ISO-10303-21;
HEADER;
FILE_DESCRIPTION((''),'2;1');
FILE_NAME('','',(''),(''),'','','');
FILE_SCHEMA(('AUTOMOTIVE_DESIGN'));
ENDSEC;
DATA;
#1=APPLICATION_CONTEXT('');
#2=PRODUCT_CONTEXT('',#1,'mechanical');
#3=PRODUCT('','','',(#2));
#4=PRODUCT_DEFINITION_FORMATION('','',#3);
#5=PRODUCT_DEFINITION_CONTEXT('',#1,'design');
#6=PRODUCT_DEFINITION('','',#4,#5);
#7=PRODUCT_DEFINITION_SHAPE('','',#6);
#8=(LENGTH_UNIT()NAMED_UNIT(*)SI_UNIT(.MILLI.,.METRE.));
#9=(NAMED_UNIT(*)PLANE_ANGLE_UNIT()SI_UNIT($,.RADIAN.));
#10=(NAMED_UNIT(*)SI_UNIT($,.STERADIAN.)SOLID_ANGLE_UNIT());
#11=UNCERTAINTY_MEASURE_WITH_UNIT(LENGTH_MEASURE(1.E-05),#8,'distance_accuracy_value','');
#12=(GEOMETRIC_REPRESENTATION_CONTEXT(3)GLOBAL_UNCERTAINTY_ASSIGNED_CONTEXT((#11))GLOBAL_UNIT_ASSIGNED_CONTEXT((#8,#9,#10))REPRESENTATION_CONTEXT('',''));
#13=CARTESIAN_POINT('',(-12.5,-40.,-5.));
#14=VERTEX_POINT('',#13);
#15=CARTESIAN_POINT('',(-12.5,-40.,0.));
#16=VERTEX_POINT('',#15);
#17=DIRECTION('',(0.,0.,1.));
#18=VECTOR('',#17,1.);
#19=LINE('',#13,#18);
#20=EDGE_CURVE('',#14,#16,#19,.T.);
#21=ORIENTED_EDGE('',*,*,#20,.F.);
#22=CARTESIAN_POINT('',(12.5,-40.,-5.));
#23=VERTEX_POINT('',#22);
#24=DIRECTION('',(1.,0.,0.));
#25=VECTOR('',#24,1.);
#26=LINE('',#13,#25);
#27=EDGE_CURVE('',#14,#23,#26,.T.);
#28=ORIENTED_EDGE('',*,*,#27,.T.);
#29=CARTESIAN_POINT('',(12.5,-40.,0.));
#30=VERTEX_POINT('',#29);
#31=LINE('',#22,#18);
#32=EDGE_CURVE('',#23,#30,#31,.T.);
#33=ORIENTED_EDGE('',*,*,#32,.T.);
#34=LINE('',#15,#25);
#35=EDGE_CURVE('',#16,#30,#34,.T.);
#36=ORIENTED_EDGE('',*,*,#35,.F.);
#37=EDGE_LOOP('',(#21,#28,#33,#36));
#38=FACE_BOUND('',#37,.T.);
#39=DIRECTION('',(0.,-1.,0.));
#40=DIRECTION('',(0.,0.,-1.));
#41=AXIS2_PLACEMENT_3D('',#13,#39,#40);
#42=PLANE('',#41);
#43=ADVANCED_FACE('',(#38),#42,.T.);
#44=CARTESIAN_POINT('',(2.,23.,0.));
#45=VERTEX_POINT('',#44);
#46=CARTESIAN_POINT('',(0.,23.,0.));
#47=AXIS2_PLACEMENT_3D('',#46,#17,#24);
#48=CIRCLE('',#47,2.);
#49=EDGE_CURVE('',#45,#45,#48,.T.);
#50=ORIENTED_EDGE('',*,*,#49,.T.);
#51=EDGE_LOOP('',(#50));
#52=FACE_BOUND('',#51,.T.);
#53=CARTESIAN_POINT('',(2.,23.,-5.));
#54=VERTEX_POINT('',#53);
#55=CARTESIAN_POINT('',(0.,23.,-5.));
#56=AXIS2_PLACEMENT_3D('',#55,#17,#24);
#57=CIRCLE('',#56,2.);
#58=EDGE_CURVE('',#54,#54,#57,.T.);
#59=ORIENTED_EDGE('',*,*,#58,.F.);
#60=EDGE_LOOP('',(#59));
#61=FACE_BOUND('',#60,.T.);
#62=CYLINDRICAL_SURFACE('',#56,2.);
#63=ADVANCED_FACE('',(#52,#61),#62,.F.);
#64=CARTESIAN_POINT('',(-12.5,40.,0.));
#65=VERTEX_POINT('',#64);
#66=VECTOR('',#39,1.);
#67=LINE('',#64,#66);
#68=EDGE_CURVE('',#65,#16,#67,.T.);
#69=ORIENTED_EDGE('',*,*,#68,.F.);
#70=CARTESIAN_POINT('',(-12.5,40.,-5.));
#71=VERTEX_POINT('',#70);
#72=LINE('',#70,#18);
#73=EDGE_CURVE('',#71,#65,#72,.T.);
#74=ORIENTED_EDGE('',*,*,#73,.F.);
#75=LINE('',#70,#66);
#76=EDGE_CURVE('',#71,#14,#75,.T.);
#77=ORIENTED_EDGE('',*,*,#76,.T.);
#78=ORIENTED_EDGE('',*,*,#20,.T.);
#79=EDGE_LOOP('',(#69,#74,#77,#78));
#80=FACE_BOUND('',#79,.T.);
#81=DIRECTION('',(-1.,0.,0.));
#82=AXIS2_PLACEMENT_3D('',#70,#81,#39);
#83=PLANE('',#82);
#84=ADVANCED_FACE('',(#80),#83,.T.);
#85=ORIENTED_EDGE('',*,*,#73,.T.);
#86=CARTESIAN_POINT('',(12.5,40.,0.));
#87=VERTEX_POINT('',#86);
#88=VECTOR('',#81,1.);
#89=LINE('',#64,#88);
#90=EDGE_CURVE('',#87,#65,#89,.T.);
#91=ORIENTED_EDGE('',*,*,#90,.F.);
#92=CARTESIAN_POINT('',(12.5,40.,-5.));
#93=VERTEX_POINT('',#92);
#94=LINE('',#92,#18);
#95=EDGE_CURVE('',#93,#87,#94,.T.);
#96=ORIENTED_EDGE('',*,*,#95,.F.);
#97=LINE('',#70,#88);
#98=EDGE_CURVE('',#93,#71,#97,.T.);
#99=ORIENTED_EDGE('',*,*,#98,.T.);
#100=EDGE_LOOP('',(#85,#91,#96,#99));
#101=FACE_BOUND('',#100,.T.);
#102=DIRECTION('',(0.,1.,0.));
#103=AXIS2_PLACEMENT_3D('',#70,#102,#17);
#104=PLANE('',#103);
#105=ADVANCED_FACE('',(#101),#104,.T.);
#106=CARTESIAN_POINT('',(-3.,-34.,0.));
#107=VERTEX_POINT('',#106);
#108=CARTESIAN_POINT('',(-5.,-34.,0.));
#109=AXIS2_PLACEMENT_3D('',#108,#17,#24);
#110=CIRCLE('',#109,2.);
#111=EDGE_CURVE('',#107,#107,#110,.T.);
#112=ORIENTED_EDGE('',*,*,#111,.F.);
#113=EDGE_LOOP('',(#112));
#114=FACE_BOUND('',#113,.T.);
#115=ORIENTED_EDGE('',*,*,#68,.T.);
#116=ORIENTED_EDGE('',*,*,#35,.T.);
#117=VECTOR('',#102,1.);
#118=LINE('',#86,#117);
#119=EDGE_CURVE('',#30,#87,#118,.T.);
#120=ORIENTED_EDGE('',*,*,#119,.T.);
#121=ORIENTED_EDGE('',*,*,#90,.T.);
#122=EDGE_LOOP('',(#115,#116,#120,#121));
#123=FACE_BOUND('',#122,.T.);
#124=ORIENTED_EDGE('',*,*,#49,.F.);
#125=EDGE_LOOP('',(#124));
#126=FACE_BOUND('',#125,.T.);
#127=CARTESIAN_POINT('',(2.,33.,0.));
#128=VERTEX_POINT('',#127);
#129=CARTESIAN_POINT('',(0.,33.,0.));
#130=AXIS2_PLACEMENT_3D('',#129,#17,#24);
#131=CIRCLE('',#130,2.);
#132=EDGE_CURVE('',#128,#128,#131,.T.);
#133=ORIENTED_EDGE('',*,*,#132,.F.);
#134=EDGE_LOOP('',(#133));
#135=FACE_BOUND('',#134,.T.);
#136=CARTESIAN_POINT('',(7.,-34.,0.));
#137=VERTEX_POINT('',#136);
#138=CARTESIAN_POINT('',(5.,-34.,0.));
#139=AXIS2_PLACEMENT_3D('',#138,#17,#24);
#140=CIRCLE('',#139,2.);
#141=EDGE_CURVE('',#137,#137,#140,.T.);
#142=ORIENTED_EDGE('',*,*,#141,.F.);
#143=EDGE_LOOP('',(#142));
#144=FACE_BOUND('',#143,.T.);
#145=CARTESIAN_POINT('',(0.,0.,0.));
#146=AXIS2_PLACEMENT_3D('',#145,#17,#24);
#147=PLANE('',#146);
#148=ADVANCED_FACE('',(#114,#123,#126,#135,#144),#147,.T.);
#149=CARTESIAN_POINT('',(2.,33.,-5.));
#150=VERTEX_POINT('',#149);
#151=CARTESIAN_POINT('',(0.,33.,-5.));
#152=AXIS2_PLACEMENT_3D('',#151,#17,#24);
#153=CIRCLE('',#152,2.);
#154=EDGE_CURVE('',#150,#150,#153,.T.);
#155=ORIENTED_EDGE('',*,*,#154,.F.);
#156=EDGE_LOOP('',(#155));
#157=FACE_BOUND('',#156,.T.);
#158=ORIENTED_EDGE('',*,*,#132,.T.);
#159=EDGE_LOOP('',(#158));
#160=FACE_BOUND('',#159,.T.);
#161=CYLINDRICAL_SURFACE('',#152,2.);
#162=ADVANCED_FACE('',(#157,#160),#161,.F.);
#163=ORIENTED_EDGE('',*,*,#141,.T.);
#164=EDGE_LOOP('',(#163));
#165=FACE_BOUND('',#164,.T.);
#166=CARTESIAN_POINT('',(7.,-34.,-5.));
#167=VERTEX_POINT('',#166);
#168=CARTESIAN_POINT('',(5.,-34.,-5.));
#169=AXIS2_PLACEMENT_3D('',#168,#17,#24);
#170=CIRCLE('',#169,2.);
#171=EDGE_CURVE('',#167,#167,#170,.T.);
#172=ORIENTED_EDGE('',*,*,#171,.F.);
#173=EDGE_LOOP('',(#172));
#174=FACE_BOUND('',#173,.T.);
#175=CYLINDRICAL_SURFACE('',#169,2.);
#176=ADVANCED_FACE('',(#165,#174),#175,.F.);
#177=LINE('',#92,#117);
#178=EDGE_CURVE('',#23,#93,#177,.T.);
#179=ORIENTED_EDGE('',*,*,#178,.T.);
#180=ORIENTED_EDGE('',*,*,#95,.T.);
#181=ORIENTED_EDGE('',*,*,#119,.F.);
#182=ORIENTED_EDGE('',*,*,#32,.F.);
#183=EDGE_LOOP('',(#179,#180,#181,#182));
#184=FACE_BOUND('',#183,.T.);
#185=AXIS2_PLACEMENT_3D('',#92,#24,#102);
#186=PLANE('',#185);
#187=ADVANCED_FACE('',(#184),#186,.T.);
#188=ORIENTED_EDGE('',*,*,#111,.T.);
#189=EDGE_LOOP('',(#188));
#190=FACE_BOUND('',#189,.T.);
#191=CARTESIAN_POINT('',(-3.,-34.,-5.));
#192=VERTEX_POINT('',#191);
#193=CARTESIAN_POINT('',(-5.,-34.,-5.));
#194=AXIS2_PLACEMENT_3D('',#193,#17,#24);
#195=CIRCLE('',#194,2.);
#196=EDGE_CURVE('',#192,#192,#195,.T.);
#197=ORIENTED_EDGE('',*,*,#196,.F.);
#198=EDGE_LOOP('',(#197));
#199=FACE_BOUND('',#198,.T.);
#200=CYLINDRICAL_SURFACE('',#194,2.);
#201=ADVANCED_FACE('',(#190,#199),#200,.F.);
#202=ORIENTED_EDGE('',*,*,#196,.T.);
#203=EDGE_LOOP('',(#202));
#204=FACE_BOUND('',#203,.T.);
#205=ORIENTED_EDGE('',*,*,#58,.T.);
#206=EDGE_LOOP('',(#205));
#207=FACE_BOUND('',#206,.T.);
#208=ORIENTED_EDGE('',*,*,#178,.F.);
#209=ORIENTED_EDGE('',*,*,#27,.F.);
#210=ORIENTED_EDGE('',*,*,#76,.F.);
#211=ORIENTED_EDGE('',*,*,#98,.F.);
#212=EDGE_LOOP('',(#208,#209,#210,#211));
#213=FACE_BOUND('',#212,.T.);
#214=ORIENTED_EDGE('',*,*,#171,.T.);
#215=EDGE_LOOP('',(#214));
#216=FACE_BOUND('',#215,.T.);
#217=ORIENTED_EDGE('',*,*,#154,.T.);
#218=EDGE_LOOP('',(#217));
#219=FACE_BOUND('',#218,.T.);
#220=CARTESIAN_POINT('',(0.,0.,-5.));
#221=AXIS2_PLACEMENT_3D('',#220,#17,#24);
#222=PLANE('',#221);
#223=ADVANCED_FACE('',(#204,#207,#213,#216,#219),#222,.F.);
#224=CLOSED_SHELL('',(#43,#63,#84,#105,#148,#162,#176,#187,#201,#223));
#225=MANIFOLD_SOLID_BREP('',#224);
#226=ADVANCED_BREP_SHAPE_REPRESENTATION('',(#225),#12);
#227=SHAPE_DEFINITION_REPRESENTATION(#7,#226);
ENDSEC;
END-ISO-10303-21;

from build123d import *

# Parameters (mm, degrees)
SKETCH_1_W          = 25
SKETCH_1_H          = 80
EXTRUDE_1_DEPTH     = 5
SKETCH_2_R          = 2
CUT_EXTRUDE_1_DEPTH = 6


with BuildPart() as part:
    # 草图1 → 凸台-拉伸1 (new body)
    with BuildSketch(Plane.XY):
        Rectangle(SKETCH_1_W, SKETCH_1_H)
    extrude(amount=-EXTRUDE_1_DEPTH)

    # 草图2 → 切除-拉伸1 (cut, through all)
    with BuildSketch(Plane.XY):
        with Locations((0, 33)):
            Circle(SKETCH_2_R)
        with Locations((0, 23)):
            Circle(SKETCH_2_R)
        with Locations((-5, -34)):
            Circle(SKETCH_2_R)
        with Locations((5, -34)):
            Circle(SKETCH_2_R)
    extrude(amount=-CUT_EXTRUDE_1_DEPTH, mode=Mode.SUBTRACT)


solid = part.part
